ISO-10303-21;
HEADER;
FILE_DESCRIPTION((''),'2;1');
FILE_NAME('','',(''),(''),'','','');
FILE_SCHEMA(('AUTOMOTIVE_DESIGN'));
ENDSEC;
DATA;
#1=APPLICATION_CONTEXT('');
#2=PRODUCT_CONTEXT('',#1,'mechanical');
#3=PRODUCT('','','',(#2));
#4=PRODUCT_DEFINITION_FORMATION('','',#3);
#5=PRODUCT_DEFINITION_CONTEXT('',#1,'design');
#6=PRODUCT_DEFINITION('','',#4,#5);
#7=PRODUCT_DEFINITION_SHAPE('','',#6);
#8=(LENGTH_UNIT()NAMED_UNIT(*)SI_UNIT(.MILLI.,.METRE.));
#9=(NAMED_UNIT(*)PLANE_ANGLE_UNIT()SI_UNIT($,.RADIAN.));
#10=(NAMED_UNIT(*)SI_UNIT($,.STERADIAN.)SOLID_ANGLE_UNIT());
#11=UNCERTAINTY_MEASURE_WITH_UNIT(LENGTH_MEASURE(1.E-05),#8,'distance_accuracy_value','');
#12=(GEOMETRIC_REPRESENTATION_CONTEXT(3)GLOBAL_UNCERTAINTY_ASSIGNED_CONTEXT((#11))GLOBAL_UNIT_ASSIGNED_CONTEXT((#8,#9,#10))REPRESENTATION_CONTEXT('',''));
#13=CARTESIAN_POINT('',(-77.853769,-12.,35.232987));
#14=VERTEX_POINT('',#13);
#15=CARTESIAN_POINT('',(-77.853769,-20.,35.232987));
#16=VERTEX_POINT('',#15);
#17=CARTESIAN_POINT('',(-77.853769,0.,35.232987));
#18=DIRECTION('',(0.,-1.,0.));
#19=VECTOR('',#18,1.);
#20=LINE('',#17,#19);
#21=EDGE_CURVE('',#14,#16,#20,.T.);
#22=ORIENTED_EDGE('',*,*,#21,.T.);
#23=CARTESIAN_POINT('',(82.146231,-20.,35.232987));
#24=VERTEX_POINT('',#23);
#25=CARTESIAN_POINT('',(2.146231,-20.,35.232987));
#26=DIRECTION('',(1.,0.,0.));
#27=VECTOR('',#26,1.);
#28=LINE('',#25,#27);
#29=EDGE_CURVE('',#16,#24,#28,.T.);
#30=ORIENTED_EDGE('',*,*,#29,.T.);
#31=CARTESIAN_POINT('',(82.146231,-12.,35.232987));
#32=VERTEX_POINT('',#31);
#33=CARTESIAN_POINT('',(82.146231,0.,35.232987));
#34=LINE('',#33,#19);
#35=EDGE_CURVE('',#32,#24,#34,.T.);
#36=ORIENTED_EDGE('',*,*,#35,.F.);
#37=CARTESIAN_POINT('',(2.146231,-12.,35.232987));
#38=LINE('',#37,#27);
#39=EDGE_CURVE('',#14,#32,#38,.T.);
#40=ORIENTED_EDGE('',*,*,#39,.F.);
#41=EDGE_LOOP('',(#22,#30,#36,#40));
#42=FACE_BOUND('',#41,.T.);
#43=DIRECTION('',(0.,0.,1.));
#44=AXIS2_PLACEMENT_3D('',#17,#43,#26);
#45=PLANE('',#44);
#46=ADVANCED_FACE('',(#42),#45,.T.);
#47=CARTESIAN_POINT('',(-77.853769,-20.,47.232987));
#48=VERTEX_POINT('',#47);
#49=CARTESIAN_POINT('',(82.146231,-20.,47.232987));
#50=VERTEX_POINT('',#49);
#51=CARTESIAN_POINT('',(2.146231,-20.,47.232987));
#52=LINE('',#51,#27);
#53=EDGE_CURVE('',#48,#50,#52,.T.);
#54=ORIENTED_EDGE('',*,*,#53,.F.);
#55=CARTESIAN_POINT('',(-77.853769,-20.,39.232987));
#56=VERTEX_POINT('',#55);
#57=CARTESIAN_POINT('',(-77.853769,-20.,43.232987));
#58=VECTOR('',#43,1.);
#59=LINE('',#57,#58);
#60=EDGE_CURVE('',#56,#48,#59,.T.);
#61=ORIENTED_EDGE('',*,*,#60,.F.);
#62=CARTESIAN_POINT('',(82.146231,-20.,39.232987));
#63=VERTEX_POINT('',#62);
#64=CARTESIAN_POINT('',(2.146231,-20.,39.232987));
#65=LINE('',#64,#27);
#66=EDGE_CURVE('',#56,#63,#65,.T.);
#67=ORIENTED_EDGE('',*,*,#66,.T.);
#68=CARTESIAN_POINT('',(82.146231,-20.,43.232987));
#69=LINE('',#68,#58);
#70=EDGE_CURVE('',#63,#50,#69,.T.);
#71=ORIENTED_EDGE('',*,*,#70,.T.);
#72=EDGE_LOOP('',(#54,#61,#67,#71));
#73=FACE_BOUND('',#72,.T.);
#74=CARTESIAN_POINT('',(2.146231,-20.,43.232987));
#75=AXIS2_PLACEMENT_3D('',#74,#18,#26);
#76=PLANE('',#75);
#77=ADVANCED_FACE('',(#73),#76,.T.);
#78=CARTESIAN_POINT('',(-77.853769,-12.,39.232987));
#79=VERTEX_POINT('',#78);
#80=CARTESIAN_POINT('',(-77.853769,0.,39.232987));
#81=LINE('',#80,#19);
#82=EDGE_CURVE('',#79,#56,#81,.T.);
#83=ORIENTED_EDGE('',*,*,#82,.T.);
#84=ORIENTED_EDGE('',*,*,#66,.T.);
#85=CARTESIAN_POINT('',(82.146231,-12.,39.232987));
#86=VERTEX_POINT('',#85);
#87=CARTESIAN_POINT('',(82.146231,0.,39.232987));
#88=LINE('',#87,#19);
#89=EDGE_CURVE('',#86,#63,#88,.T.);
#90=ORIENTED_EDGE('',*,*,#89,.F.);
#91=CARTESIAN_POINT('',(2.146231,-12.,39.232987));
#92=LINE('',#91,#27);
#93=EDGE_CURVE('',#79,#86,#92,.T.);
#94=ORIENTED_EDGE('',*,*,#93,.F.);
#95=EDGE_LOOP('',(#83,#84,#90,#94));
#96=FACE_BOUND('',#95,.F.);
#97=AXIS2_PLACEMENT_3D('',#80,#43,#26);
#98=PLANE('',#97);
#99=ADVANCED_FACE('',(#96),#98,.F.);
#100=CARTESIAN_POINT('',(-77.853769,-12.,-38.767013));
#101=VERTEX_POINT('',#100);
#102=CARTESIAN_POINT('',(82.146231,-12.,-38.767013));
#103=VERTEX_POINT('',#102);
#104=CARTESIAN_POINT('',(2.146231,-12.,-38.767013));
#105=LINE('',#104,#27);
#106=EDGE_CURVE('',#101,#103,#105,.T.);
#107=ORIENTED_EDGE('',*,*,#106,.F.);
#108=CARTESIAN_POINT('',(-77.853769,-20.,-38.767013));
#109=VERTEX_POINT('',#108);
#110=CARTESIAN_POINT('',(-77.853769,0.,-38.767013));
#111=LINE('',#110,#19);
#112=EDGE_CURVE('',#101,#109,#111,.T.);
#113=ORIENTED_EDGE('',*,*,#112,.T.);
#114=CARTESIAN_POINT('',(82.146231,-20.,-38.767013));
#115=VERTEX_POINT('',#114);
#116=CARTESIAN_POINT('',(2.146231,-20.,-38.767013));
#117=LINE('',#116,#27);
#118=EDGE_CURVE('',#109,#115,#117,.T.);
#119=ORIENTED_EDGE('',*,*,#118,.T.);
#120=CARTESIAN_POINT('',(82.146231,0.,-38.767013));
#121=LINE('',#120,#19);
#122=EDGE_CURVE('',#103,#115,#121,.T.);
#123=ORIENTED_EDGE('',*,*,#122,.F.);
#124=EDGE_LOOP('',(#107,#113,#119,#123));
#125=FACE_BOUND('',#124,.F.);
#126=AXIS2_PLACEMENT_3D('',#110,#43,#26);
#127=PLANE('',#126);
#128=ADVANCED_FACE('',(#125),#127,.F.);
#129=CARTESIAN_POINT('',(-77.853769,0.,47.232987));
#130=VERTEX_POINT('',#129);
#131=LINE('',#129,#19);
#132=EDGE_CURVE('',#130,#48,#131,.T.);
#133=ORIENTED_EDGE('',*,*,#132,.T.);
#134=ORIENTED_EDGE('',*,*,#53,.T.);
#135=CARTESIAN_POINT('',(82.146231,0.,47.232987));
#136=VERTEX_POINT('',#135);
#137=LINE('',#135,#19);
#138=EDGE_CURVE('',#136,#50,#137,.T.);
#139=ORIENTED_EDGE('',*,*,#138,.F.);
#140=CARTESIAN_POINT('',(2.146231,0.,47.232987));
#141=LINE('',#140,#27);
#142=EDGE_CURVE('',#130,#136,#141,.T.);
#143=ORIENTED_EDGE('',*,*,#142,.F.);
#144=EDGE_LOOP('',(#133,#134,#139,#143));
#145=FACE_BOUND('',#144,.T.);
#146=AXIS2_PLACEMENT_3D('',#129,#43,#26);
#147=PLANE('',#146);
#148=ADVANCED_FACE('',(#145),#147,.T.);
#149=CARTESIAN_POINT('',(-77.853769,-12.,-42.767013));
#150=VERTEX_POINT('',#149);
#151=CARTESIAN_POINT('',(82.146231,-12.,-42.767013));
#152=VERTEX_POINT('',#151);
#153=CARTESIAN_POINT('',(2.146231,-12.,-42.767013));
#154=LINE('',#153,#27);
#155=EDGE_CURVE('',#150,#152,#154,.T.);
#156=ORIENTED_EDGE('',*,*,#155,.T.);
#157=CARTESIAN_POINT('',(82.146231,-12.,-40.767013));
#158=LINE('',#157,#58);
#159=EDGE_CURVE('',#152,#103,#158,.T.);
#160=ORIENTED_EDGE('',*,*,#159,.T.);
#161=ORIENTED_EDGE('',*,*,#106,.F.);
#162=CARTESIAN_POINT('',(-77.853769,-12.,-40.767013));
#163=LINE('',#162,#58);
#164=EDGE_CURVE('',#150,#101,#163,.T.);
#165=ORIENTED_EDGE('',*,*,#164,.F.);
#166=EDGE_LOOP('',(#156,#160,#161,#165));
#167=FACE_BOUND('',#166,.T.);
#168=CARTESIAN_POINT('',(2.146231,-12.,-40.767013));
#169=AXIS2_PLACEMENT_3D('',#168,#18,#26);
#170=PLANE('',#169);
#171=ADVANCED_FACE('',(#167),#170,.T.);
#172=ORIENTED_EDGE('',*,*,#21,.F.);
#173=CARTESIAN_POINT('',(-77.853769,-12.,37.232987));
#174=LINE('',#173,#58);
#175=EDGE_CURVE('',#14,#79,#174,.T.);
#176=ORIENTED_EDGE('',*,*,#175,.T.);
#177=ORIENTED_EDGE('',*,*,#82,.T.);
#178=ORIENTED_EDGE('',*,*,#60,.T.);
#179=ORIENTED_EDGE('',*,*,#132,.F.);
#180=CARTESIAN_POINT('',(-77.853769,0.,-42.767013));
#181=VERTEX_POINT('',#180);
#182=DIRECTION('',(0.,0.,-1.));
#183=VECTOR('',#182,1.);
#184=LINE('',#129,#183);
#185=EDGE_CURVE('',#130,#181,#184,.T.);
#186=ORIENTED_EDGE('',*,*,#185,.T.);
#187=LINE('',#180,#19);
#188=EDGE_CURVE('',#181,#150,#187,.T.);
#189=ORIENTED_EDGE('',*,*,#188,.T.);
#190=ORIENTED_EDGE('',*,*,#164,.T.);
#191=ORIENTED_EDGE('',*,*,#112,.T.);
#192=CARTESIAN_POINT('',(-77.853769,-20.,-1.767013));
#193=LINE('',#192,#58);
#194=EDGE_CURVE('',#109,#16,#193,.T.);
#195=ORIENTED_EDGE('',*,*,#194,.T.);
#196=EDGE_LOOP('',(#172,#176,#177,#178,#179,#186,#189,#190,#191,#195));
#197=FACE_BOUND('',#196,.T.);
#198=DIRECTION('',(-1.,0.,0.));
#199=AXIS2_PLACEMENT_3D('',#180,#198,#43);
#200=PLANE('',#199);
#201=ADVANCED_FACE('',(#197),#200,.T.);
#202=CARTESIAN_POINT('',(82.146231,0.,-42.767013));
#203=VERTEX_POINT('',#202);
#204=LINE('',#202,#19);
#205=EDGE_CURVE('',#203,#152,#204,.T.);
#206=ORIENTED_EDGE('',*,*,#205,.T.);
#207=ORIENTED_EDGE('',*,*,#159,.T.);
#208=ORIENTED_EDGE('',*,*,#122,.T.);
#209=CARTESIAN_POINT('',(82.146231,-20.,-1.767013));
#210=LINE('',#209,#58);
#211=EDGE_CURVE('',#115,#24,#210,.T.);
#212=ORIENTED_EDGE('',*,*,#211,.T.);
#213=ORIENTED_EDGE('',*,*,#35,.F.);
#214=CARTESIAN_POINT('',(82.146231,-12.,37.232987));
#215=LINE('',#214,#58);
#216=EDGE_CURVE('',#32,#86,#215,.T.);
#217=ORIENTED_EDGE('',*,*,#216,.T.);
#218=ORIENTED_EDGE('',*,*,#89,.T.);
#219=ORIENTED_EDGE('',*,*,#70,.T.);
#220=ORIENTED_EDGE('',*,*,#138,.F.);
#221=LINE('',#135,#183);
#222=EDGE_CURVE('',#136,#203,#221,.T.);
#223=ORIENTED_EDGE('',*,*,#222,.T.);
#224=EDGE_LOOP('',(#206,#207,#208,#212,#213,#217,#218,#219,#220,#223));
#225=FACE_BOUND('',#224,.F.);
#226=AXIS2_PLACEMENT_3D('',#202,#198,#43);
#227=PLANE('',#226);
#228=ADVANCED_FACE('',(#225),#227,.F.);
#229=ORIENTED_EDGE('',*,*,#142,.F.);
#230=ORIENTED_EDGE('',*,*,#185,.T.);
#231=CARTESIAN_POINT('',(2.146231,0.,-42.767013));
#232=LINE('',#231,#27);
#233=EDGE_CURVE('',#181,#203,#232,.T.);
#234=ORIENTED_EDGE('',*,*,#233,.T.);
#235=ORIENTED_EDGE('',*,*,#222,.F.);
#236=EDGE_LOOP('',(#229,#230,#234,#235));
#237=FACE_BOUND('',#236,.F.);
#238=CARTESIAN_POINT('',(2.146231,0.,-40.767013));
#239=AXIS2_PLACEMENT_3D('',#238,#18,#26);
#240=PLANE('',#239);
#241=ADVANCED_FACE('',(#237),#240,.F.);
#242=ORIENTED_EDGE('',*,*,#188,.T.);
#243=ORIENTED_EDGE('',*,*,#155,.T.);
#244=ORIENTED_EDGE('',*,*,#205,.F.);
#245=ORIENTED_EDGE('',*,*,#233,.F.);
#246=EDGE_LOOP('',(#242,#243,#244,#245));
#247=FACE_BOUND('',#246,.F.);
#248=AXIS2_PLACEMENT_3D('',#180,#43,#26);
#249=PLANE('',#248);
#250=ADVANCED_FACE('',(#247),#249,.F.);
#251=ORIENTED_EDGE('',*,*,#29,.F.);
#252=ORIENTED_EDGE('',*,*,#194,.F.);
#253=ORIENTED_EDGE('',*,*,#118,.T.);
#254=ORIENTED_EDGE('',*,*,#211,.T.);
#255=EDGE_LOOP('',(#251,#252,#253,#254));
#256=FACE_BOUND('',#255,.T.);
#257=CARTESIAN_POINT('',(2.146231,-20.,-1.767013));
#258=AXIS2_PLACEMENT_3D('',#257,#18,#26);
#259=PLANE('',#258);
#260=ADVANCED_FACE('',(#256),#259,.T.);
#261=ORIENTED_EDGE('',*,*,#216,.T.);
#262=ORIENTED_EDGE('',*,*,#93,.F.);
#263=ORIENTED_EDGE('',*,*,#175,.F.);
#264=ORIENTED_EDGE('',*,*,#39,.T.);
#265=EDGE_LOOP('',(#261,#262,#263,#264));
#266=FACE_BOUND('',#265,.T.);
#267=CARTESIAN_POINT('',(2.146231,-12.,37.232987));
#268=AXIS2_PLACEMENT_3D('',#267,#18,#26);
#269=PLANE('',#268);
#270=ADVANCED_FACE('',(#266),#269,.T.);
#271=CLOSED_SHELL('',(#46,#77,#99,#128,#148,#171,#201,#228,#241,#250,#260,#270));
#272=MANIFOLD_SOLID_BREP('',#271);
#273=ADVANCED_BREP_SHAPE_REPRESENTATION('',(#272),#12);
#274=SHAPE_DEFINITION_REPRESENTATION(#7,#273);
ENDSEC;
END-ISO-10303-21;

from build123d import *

# Parameters (mm, degrees)
F0_W     = 160
F0_H     = 74
F1_DEPTH = 20
F0_H_2   = 8
F2_DEPTH = 20
F0_H_3   = 4
F3_DEPTH = 12
F4_DEPTH = 12


with BuildPart() as f1:
    # F0 (on Front) → F1 (new body)
    with BuildSketch(Plane.XZ):
        with Locations((2.1462311399, -1.7670125663)):
            Rectangle(F0_W, F0_H)
    extrude(amount=F1_DEPTH)



with BuildPart() as f2:
    # F0 (on Front) → F2 (new body)
    with BuildSketch(Plane.XZ):
        with Locations((2.1462311399, 43.2329874337)):
            Rectangle(F0_W, F0_H_2)
    extrude(amount=F2_DEPTH)


with BuildPart() as f1_1:
    add(f1.part)

    add(f2.part)  # F3 merges F2
    # F0 (on Front) → F3 (join)
    with BuildSketch(Plane.XZ):
        with Locations((2.1462311399, 37.2329874337)):
            Rectangle(F0_W, F0_H_3)
    extrude(amount=F3_DEPTH)

    # F0 (on Front) → F4 (join)
    with BuildSketch(Plane.XZ):
        with Locations((2.1462311399, -40.7670125663)):
            Rectangle(F0_W, F0_H_3)
    extrude(amount=F4_DEPTH)


solid = f1_1.part
